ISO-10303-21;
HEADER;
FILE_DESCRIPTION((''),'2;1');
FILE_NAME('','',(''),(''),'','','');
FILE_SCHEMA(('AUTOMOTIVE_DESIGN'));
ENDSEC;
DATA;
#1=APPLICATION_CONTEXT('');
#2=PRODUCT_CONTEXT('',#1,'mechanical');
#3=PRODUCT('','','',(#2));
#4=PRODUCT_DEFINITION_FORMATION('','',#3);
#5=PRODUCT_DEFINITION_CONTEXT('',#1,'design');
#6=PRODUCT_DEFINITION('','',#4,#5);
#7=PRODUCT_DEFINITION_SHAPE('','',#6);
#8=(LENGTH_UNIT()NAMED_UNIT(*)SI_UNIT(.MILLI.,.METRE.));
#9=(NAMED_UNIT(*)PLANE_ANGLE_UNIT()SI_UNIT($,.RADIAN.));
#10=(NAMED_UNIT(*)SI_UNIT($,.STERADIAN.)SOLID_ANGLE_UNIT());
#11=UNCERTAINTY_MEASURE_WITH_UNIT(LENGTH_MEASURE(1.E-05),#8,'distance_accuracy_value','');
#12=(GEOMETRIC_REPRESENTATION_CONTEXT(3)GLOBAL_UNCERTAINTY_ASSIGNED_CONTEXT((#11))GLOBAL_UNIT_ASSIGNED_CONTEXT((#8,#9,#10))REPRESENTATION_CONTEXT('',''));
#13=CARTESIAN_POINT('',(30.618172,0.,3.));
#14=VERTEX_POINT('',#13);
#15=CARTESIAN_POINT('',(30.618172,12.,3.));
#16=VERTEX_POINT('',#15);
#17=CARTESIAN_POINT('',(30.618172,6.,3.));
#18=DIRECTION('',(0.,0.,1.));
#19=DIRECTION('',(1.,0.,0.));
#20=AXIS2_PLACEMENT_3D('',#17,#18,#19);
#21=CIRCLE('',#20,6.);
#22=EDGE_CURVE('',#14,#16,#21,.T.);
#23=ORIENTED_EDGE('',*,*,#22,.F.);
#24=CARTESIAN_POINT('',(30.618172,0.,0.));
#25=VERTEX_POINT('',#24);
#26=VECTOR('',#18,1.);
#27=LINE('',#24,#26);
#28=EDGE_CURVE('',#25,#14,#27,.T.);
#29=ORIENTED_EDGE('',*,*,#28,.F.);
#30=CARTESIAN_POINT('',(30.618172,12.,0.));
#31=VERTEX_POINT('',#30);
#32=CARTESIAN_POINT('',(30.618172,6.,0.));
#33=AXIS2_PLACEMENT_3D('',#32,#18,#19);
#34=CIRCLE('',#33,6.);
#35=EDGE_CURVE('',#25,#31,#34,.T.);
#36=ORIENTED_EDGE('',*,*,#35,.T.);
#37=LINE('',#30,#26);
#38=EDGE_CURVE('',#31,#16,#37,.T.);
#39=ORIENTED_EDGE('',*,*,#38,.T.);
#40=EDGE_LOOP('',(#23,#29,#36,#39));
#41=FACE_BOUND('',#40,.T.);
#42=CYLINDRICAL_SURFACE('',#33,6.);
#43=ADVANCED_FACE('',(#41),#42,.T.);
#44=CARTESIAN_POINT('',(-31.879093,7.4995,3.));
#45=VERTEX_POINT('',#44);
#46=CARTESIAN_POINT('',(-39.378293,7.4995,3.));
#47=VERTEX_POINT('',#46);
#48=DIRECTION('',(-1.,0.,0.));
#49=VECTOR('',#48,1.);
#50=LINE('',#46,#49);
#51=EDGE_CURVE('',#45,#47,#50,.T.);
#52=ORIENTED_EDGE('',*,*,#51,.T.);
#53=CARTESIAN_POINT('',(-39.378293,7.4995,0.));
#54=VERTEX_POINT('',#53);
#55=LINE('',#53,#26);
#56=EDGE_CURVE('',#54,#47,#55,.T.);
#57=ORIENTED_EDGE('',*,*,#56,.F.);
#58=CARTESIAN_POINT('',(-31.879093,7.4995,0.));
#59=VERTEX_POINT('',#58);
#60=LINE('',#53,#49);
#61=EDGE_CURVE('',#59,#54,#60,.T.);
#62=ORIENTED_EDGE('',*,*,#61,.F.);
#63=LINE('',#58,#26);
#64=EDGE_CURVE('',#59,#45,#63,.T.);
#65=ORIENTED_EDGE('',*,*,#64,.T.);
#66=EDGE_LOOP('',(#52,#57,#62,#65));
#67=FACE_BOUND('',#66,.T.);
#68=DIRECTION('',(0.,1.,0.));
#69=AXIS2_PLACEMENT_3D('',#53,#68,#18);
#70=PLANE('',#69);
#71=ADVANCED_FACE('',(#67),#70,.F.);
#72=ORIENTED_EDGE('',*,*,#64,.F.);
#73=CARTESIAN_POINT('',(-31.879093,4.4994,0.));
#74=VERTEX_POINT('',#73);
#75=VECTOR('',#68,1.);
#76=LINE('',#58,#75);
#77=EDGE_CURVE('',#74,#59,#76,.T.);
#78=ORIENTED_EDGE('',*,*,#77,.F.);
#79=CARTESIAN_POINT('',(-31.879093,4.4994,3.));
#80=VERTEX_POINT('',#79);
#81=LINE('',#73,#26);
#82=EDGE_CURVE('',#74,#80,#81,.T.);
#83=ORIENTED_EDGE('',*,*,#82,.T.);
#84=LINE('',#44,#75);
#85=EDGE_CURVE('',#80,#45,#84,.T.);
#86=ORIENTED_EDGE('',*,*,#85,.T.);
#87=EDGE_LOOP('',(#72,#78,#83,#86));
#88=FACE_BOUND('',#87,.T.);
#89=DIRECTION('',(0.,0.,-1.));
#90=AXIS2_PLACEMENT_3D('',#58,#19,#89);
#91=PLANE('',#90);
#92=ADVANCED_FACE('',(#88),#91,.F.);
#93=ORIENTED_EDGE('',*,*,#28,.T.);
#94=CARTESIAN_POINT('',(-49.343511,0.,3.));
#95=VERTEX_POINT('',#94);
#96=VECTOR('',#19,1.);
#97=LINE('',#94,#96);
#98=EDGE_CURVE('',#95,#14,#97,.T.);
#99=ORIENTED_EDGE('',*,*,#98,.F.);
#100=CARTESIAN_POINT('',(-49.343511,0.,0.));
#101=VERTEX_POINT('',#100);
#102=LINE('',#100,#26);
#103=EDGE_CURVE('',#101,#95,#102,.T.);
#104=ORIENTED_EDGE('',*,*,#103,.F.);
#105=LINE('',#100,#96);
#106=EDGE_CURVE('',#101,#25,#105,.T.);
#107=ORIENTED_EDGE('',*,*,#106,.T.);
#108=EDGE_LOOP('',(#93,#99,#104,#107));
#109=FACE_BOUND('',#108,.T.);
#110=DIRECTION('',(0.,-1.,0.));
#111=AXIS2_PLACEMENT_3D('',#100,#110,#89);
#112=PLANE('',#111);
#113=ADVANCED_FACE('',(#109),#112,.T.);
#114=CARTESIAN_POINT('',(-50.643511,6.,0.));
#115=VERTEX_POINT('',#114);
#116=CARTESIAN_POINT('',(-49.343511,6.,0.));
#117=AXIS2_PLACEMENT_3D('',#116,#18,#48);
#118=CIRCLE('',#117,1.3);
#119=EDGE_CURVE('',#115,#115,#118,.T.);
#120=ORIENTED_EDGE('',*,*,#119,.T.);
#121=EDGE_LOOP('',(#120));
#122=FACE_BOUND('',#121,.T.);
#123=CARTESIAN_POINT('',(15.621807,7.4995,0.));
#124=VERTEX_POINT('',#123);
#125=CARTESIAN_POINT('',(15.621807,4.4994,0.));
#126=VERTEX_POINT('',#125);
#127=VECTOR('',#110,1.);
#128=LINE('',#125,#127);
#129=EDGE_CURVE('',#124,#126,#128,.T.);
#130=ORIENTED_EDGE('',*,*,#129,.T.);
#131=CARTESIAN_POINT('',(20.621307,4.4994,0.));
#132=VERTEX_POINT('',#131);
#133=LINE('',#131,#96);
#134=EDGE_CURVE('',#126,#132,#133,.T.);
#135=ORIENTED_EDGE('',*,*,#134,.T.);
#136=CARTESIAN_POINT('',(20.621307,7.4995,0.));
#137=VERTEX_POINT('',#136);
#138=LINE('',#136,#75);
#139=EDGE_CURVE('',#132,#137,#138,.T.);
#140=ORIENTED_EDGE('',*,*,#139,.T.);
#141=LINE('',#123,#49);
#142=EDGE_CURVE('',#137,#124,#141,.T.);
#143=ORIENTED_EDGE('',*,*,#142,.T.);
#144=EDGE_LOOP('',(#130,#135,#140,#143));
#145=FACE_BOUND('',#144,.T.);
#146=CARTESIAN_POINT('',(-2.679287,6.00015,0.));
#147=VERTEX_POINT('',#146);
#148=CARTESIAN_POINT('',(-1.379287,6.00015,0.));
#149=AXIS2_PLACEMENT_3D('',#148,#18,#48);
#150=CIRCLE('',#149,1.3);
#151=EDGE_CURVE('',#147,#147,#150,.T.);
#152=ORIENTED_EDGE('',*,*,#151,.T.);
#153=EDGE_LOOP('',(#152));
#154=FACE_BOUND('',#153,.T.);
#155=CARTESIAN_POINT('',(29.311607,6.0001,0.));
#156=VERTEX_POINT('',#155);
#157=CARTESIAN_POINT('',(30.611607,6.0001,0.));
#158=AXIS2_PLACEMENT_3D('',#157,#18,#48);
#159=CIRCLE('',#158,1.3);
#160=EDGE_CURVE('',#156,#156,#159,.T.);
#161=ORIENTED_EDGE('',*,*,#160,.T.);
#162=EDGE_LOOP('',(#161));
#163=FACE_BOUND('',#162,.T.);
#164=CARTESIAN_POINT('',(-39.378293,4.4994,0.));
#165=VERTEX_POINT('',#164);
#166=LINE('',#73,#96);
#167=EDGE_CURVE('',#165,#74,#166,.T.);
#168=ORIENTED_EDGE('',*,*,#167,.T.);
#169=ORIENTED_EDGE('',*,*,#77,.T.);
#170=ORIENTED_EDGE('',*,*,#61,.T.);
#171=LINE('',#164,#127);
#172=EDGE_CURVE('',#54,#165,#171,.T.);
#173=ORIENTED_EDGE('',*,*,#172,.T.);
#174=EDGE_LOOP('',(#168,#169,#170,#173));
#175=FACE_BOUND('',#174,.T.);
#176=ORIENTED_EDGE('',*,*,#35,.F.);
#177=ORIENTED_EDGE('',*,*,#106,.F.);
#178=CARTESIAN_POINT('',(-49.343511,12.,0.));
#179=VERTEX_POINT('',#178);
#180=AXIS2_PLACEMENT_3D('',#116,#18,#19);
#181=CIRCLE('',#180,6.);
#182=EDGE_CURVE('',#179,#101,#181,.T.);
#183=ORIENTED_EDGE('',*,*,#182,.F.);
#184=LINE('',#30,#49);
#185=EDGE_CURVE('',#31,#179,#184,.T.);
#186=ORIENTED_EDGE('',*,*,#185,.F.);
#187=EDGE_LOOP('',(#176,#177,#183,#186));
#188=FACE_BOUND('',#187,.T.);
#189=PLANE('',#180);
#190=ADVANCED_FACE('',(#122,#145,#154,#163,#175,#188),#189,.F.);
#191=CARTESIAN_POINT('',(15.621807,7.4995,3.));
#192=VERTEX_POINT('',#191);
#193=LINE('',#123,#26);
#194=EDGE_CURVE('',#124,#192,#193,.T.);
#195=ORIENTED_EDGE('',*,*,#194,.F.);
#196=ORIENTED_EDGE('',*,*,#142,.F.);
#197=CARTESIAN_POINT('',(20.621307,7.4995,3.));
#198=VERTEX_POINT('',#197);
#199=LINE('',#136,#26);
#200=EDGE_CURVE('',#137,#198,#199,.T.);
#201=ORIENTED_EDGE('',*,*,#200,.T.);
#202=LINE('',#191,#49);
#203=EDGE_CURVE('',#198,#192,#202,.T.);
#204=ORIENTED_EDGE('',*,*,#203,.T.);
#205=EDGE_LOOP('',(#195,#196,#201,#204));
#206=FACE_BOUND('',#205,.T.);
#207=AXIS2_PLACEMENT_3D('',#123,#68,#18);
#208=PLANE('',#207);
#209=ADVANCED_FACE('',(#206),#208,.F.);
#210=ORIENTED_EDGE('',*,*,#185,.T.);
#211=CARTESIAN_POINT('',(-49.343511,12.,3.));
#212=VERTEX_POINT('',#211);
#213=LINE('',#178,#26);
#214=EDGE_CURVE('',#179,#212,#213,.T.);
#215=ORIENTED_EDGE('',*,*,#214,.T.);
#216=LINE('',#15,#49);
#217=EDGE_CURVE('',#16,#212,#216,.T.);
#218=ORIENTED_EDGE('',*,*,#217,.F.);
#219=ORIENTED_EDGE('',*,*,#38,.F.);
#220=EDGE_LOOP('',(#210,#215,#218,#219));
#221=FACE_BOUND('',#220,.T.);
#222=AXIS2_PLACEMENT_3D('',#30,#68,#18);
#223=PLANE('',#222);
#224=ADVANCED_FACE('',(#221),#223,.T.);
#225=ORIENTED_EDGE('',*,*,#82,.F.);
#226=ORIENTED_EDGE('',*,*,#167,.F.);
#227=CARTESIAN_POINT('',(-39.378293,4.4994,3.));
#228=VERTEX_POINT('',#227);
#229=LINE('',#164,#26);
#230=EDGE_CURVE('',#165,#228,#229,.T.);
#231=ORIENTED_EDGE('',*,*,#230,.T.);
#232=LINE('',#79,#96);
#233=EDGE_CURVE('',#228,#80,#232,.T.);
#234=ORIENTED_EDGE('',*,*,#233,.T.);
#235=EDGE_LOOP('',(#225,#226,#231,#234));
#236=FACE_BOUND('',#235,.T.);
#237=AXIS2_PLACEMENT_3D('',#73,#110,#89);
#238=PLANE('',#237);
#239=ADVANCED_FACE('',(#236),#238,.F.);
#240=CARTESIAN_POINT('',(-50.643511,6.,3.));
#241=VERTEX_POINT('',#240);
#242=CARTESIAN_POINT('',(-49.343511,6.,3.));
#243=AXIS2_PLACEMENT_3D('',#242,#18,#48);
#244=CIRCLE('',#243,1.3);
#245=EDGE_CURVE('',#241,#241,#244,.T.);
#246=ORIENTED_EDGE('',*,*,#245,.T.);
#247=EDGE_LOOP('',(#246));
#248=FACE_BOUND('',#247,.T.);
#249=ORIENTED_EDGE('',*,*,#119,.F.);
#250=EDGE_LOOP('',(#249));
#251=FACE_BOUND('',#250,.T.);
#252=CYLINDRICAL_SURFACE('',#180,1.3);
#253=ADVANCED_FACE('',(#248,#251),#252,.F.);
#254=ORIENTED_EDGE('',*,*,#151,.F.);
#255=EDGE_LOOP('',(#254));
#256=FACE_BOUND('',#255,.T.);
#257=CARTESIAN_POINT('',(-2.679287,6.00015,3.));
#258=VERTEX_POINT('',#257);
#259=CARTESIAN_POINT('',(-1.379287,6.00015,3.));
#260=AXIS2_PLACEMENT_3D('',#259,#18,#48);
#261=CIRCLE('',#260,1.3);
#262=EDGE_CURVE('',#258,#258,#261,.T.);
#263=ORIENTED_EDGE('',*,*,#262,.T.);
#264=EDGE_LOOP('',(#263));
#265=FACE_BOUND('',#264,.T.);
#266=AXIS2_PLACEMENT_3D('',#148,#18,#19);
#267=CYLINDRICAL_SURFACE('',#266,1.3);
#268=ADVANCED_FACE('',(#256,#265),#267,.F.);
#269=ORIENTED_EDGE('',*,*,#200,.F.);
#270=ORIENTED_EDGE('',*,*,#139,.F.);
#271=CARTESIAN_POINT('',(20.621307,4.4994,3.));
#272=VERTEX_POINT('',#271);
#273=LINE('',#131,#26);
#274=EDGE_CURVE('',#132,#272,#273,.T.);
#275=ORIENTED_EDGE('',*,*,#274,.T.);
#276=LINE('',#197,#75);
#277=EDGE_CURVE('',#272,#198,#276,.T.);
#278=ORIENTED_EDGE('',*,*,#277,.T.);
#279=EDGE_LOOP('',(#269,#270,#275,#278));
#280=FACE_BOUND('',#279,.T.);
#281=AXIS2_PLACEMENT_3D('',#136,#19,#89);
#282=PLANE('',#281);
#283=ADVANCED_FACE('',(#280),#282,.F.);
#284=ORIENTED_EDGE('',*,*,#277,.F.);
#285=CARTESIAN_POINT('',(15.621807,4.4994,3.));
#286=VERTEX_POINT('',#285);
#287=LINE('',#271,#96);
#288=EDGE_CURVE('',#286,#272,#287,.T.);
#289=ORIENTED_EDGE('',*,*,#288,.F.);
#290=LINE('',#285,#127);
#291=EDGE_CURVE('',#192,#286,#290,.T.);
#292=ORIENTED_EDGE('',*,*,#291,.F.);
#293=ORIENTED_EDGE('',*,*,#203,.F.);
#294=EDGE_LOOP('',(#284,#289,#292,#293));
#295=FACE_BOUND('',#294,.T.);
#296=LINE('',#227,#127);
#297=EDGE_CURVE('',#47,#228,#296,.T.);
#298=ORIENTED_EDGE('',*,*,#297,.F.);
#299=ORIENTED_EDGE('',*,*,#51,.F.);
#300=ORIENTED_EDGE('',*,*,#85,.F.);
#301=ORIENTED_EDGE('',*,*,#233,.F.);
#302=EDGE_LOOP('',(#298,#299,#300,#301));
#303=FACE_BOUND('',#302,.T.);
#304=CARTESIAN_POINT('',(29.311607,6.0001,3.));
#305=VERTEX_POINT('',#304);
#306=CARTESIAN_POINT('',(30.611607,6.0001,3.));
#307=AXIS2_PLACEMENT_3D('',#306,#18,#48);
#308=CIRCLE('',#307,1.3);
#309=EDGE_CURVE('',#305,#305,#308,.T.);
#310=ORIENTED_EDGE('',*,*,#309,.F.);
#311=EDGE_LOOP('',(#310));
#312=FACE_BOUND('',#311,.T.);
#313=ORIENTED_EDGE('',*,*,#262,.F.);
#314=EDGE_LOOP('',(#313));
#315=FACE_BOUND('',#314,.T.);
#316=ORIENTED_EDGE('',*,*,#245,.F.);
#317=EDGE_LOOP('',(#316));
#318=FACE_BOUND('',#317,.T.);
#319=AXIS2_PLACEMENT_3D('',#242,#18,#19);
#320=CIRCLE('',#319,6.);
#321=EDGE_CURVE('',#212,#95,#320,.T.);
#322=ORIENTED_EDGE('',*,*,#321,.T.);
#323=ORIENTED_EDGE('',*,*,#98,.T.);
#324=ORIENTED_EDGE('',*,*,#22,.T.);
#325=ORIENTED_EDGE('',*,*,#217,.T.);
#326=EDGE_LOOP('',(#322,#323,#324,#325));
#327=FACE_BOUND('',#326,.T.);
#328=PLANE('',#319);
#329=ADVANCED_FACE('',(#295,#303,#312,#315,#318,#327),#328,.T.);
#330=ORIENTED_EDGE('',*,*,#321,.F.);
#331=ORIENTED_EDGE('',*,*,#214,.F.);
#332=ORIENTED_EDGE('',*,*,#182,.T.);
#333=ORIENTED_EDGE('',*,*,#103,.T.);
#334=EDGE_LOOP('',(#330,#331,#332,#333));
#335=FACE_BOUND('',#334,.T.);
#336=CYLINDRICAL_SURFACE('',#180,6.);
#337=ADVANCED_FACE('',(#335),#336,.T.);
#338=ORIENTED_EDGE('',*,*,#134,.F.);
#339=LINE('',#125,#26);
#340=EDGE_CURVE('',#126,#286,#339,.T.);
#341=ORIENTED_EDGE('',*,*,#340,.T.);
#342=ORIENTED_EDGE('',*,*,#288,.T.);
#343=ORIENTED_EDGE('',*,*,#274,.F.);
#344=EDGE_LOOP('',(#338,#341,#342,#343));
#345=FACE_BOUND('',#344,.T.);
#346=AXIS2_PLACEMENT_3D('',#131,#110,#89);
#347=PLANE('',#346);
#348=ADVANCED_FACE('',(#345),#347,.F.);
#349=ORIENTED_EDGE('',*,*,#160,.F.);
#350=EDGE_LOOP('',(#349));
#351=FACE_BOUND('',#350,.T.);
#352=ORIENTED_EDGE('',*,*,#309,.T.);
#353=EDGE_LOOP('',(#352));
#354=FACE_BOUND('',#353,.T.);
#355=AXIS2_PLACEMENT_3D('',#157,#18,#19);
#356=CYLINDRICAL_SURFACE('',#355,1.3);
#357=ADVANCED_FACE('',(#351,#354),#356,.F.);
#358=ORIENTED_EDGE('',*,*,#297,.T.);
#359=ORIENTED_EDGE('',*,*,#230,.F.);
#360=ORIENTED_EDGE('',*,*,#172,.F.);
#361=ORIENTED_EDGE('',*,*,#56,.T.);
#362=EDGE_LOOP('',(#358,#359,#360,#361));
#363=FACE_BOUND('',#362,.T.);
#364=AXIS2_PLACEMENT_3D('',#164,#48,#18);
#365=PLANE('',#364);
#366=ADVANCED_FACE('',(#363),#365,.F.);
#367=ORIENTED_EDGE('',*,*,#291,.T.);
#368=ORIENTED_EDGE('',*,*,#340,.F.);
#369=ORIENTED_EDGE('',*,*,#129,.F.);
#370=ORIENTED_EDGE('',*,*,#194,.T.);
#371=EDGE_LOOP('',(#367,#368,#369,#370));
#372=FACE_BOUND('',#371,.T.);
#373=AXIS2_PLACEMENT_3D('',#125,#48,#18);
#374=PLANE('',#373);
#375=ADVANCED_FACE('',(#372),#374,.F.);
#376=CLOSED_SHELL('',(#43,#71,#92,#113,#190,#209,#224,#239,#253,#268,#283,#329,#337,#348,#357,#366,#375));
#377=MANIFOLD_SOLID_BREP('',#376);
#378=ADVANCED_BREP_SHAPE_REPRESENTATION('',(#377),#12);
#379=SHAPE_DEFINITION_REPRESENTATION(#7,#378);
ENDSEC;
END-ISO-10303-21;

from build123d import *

# Parameters (mm, degrees)
SKETCH_1_R      = 1.3
SKETCH_1_W      = 7.4992
SKETCH_1_H      = 3.0001
SKETCH_1_W_2    = 4.9995
EXTRUDE_1_DEPTH = 3


with BuildPart() as part:
    # 草图1 → 凸台-拉伸1 (new body)
    with BuildSketch(Plane.XY.offset(3)):
        with BuildLine():
            Line((-49.343510787, 0), (30.618171933, 0))
            ThreePointArc((30.618171933, 0), (36.618171933, 6), (30.618171933, 12))
            Line((30.618171933, 12), (-49.343510787, 12))
            ThreePointArc((-49.343510787, 12), (-55.343510787, 6), (-49.343510787, 0))
        make_face()
        with Locations(Location((30.611606698, 6.0001, 0), (0, 0, 180))):
            Circle(SKETCH_1_R, mode=Mode.SUBTRACT)
        with Locations(Location((-1.379286828, 6.00015, 0), (0, 0, 180))):
            Circle(SKETCH_1_R, mode=Mode.SUBTRACT)
        with Locations(Location((-49.343510787, 6, 0), (0, 0, 180))):
            Circle(SKETCH_1_R, mode=Mode.SUBTRACT)
        with Locations((-35.628693302, 5.99945)):
            Rectangle(SKETCH_1_W, SKETCH_1_H, mode=Mode.SUBTRACT)
        with Locations((18.121556698, 5.99945)):
            Rectangle(SKETCH_1_W_2, SKETCH_1_H, mode=Mode.SUBTRACT)
    extrude(amount=-EXTRUDE_1_DEPTH)


solid = part.part
